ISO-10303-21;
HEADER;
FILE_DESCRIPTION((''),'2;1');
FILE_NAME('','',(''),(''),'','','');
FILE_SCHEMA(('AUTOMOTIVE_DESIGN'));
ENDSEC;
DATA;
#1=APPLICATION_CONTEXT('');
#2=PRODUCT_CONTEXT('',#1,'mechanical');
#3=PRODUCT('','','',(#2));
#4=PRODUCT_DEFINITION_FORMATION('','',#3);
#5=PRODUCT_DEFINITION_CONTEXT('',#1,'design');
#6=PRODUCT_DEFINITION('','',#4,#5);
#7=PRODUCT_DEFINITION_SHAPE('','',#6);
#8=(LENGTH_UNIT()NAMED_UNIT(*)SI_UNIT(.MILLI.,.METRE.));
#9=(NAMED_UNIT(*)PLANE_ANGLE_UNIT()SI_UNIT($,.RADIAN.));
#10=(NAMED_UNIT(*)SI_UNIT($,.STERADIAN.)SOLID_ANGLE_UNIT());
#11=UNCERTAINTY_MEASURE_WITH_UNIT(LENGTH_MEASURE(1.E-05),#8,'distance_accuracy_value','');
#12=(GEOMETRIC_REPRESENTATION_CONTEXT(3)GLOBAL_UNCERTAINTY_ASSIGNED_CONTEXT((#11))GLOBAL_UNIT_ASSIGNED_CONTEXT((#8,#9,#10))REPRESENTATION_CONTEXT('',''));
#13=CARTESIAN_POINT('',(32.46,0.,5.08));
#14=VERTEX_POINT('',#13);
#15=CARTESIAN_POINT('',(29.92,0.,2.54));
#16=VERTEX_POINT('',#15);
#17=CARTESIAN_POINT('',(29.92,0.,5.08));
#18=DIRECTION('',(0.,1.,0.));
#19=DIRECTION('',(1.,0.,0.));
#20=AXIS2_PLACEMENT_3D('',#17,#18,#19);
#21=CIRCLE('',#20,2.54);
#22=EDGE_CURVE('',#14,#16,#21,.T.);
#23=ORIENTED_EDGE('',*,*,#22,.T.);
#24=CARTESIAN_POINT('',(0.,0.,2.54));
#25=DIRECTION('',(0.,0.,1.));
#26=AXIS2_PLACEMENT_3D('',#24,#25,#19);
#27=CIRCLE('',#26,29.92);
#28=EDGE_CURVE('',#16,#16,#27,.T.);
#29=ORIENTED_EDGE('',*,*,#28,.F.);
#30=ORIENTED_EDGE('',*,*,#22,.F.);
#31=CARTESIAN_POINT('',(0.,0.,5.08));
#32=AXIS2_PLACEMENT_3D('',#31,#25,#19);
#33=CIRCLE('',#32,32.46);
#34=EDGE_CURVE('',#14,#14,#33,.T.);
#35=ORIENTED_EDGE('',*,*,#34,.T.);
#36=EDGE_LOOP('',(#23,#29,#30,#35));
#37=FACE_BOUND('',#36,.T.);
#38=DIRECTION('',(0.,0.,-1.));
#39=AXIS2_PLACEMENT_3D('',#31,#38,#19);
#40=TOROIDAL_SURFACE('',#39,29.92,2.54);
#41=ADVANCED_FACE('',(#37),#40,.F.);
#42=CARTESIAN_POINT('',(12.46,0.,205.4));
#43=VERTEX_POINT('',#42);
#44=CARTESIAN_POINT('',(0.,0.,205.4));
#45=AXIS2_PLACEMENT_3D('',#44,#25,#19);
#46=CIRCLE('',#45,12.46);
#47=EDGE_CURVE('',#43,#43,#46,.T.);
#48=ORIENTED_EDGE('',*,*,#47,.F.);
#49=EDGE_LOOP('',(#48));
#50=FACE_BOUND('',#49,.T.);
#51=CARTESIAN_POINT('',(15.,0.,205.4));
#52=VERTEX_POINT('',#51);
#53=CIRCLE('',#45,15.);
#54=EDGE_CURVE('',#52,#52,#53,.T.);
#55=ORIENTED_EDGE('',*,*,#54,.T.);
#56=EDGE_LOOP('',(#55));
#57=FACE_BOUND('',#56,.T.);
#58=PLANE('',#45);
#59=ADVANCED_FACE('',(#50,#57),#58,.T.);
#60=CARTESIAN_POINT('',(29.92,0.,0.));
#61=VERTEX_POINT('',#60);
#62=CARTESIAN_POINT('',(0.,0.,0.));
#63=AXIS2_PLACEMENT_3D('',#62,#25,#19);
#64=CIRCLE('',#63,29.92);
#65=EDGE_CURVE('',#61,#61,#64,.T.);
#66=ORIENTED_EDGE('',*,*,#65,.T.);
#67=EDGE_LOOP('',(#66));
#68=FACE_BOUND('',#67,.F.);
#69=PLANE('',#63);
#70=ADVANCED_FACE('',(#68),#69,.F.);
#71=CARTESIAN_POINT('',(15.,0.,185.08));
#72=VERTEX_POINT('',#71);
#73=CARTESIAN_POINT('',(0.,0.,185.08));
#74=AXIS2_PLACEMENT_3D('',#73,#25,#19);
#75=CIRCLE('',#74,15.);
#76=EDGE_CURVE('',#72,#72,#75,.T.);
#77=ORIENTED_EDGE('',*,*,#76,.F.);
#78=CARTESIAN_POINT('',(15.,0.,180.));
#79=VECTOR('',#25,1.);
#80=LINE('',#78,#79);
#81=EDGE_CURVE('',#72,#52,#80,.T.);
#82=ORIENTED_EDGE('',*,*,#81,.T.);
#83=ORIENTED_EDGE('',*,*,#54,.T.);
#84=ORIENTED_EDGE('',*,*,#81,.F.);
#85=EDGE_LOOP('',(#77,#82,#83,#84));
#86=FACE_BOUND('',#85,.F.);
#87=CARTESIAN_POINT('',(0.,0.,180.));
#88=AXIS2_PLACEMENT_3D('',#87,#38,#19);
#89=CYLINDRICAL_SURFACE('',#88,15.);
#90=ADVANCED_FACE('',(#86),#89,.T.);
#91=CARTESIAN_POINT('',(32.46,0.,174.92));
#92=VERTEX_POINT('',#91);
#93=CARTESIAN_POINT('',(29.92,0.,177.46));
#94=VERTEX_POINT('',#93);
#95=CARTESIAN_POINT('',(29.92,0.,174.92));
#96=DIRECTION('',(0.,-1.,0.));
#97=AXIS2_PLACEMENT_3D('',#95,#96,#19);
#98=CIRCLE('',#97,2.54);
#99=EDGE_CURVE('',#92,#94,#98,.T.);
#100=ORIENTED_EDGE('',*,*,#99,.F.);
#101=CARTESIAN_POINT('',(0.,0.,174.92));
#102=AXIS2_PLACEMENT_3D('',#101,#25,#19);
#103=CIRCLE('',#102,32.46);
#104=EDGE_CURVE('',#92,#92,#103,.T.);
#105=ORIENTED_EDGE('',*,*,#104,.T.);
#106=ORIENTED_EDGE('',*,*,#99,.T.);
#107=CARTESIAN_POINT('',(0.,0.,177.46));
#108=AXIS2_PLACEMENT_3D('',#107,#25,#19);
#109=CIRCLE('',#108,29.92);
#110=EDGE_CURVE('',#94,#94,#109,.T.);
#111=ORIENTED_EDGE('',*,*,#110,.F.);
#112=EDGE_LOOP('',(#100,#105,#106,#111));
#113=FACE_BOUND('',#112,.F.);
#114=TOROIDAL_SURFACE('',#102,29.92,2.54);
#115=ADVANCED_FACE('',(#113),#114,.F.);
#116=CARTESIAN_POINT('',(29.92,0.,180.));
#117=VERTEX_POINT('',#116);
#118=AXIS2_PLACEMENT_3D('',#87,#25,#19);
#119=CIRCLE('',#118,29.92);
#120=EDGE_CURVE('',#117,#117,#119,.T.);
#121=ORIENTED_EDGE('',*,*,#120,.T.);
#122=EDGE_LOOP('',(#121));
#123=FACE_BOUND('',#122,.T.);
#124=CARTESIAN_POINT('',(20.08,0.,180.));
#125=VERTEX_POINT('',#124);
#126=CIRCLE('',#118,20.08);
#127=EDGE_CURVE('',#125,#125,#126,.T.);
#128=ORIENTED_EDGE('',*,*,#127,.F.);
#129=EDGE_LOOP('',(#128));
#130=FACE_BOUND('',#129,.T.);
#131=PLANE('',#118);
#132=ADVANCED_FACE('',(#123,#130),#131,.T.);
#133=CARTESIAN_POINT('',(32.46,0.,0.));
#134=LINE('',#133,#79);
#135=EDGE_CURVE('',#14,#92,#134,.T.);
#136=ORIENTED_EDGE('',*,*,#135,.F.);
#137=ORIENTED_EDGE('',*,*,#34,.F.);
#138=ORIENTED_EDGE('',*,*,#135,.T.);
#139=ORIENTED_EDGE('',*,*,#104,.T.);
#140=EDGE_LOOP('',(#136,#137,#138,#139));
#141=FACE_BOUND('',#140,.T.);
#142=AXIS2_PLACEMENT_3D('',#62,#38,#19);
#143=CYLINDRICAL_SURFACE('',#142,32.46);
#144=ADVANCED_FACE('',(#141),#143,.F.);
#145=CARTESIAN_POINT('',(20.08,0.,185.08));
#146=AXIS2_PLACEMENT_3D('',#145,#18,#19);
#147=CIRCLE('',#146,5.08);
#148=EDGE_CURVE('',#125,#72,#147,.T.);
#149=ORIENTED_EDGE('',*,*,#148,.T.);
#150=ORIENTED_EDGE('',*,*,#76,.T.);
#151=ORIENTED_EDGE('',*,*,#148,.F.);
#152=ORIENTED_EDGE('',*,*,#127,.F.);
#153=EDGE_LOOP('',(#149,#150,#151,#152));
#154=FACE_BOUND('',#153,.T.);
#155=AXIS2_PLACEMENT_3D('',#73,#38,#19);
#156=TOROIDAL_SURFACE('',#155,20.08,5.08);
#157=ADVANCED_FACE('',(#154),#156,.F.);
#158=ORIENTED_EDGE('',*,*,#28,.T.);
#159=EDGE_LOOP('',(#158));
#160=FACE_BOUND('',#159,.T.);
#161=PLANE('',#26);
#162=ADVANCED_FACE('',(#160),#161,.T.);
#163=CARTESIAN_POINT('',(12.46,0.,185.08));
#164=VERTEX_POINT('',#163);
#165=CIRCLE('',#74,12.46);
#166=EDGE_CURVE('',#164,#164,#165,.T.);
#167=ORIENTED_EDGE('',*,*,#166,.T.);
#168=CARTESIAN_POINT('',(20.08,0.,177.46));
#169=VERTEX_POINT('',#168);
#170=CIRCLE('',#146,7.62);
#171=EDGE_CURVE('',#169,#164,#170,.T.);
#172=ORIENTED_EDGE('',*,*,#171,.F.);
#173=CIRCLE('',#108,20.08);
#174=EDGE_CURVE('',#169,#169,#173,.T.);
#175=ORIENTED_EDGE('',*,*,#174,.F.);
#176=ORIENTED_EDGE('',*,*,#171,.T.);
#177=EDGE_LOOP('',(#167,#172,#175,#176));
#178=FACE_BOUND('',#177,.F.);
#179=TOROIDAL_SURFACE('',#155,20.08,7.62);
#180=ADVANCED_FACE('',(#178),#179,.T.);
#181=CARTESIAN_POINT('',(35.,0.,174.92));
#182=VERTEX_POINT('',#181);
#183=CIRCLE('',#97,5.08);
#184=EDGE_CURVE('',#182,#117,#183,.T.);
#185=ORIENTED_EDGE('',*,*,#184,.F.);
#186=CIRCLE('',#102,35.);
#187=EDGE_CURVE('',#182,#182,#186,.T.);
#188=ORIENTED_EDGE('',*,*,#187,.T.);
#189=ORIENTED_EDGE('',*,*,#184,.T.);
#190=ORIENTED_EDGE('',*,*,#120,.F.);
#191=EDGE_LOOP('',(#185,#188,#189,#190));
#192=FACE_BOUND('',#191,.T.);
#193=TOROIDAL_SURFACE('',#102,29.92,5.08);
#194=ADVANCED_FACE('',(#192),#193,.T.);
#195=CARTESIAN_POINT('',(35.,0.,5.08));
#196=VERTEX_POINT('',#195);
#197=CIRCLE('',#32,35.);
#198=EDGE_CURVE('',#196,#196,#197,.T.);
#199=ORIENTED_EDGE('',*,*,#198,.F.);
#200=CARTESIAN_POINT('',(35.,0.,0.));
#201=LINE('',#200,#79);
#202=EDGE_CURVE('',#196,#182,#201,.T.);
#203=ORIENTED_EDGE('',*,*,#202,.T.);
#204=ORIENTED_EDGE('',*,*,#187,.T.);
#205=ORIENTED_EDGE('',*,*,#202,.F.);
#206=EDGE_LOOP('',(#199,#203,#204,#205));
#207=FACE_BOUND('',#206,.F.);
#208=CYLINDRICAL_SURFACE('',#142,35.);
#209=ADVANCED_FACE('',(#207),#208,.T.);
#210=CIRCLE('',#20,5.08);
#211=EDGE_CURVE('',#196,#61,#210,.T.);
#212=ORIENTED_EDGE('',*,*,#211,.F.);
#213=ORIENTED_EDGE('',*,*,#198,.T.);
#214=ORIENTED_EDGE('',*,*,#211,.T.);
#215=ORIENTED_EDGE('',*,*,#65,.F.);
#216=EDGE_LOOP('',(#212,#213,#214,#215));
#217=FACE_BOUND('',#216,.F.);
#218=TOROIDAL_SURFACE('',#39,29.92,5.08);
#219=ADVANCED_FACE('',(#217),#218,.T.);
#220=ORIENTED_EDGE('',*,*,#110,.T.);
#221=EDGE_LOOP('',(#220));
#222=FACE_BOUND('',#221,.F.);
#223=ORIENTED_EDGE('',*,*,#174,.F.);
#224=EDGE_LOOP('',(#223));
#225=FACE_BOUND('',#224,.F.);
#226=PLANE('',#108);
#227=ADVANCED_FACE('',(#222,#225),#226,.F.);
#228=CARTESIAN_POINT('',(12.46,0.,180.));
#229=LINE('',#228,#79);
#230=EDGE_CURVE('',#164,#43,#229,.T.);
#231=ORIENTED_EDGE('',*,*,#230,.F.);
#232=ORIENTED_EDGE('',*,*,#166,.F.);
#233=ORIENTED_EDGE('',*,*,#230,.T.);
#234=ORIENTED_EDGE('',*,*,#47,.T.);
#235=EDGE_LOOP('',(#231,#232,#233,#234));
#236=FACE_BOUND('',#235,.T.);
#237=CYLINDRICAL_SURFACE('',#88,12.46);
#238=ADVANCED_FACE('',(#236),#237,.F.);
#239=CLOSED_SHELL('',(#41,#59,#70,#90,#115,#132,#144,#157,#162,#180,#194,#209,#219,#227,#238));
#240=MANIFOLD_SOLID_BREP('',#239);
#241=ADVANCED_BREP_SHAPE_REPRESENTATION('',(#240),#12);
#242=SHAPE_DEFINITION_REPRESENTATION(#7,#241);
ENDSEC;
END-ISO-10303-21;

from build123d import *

# Parameters (mm, degrees)
F0_R     = 35
F1_DEPTH = 180
F2_R     = 15
F3_DEPTH = 25.4
F4_R     = 5.08
F5_R     = 5.08
F6_R     = 14.574331
F6_R_2   = 29.92
F7_DEPTH = 6.858
F8_T     = -2.54


with BuildPart() as f1:
    # F0 (on Top) → F1 (new body)
    with BuildSketch(Plane.XY):
        Circle(F0_R)
    extrude(amount=F1_DEPTH)

    # F2 (on face) → F3 (join)
    with BuildSketch(Plane.XY.offset(180)):
        Circle(F2_R)
    extrude(amount=F3_DEPTH)

    # F4
    f4_edges = [f1.edges().sort_by_distance(p)[0] for p in [
        (-35, 0, 180),
    ]]
    fillet(f4_edges, radius=F4_R)

    # F5
    f5_edges = [f1.edges().sort_by_distance(p)[0] for p in [
        (-35, 0, 0),
        (-15, 0, 180),
    ]]
    fillet(f5_edges, radius=F5_R)

    # F6 (on face) → F7 (join)
    with BuildSketch(Plane(origin=(0, 0, 0), x_dir=(1, 0, 0), z_dir=(0, 0, -1))):
        Circle(F6_R)
        Circle(F6_R_2)
        Circle(F6_R, mode=Mode.SUBTRACT)
    extrude(amount=-F7_DEPTH)

    # F8
    f8_openings = [f1.faces().sort_by_distance(p)[0] for p in [
        (0, 0, 205.4),
    ]]
    offset(amount=F8_T, openings=f8_openings)


solid = f1.part
